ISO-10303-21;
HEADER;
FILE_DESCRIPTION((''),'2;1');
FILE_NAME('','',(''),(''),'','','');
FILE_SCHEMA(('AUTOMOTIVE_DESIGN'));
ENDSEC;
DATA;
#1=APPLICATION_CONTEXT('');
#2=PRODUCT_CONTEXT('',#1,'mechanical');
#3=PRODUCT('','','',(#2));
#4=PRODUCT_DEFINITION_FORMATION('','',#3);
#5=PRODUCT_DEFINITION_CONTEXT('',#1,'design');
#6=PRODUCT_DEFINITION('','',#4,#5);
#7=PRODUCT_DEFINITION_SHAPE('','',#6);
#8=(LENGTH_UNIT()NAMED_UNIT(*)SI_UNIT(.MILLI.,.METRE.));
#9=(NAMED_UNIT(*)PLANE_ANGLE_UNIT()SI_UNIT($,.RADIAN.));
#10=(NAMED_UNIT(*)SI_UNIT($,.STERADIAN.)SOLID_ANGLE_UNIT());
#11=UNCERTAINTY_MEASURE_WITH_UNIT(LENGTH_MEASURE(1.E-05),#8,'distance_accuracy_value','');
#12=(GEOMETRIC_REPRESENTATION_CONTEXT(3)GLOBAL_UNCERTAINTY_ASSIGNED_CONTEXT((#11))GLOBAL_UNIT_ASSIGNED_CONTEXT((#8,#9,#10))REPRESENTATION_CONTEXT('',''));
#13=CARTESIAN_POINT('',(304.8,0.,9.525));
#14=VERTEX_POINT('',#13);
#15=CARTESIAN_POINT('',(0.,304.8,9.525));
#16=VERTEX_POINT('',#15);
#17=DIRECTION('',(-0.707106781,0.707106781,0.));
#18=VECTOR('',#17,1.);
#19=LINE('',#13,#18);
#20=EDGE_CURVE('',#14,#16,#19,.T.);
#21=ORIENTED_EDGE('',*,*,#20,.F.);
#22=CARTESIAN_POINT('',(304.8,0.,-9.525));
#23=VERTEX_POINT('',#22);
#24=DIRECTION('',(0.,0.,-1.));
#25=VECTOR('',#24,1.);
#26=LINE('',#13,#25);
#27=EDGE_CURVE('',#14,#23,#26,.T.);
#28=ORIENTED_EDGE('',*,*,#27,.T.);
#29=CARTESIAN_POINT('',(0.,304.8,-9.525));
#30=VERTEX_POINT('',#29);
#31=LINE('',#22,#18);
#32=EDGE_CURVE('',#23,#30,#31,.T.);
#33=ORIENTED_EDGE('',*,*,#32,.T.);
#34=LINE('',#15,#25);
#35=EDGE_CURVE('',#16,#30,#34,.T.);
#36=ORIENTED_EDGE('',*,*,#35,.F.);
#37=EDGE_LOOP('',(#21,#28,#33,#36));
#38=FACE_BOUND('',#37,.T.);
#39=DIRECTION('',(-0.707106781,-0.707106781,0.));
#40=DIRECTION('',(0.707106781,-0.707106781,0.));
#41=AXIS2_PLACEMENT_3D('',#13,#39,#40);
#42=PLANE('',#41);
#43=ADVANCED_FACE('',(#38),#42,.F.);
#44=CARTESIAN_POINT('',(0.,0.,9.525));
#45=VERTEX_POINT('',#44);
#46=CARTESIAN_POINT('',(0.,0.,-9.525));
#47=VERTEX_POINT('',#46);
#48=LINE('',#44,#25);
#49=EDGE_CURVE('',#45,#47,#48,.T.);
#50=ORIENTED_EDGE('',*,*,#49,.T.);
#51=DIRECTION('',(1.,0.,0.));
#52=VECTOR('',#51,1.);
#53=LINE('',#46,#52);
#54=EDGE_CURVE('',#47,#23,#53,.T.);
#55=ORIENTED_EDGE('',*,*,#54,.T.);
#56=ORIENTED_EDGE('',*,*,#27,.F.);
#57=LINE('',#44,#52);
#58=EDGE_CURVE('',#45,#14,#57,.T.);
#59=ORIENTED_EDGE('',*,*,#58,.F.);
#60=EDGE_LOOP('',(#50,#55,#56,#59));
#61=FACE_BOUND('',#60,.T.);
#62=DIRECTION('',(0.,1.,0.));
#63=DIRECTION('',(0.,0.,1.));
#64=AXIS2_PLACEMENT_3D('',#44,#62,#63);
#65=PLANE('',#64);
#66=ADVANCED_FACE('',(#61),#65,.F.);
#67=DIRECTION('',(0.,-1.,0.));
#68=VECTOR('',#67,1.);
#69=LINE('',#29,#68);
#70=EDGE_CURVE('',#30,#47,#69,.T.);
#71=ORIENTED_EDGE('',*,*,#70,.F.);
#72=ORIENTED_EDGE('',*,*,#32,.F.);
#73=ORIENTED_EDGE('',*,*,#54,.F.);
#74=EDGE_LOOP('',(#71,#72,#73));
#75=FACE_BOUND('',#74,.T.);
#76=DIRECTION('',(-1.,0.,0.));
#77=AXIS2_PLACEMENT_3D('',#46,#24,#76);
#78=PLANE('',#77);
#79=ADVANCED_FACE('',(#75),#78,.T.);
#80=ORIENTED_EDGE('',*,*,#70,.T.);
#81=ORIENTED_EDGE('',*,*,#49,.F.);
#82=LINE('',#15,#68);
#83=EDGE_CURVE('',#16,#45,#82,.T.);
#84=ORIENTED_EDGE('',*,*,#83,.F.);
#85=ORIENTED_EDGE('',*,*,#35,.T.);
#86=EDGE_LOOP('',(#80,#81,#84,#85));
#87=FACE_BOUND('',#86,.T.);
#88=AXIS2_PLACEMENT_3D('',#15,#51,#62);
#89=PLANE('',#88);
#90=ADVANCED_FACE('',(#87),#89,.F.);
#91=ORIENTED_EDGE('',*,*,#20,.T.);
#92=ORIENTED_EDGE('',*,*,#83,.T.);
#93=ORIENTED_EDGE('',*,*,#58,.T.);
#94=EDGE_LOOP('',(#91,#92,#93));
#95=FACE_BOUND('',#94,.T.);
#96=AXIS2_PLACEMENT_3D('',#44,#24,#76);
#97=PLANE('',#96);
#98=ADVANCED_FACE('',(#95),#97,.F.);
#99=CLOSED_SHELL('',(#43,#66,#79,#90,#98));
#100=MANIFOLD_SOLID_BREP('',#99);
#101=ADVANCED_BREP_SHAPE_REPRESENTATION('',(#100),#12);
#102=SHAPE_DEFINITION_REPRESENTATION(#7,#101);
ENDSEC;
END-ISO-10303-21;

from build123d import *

# Parameters (mm, degrees)
BOSS_EXTRUDE1_DEPTH = 9.525


with BuildPart() as part:
    # Sketch1 → Boss-Extrude1 (new, symmetric)
    with BuildSketch(Plane.XY):
        Polygon((0, 0), (304.8, 0), (0, 304.8), align=None)
    extrude(amount=BOSS_EXTRUDE1_DEPTH, both=True)


solid = part.part
